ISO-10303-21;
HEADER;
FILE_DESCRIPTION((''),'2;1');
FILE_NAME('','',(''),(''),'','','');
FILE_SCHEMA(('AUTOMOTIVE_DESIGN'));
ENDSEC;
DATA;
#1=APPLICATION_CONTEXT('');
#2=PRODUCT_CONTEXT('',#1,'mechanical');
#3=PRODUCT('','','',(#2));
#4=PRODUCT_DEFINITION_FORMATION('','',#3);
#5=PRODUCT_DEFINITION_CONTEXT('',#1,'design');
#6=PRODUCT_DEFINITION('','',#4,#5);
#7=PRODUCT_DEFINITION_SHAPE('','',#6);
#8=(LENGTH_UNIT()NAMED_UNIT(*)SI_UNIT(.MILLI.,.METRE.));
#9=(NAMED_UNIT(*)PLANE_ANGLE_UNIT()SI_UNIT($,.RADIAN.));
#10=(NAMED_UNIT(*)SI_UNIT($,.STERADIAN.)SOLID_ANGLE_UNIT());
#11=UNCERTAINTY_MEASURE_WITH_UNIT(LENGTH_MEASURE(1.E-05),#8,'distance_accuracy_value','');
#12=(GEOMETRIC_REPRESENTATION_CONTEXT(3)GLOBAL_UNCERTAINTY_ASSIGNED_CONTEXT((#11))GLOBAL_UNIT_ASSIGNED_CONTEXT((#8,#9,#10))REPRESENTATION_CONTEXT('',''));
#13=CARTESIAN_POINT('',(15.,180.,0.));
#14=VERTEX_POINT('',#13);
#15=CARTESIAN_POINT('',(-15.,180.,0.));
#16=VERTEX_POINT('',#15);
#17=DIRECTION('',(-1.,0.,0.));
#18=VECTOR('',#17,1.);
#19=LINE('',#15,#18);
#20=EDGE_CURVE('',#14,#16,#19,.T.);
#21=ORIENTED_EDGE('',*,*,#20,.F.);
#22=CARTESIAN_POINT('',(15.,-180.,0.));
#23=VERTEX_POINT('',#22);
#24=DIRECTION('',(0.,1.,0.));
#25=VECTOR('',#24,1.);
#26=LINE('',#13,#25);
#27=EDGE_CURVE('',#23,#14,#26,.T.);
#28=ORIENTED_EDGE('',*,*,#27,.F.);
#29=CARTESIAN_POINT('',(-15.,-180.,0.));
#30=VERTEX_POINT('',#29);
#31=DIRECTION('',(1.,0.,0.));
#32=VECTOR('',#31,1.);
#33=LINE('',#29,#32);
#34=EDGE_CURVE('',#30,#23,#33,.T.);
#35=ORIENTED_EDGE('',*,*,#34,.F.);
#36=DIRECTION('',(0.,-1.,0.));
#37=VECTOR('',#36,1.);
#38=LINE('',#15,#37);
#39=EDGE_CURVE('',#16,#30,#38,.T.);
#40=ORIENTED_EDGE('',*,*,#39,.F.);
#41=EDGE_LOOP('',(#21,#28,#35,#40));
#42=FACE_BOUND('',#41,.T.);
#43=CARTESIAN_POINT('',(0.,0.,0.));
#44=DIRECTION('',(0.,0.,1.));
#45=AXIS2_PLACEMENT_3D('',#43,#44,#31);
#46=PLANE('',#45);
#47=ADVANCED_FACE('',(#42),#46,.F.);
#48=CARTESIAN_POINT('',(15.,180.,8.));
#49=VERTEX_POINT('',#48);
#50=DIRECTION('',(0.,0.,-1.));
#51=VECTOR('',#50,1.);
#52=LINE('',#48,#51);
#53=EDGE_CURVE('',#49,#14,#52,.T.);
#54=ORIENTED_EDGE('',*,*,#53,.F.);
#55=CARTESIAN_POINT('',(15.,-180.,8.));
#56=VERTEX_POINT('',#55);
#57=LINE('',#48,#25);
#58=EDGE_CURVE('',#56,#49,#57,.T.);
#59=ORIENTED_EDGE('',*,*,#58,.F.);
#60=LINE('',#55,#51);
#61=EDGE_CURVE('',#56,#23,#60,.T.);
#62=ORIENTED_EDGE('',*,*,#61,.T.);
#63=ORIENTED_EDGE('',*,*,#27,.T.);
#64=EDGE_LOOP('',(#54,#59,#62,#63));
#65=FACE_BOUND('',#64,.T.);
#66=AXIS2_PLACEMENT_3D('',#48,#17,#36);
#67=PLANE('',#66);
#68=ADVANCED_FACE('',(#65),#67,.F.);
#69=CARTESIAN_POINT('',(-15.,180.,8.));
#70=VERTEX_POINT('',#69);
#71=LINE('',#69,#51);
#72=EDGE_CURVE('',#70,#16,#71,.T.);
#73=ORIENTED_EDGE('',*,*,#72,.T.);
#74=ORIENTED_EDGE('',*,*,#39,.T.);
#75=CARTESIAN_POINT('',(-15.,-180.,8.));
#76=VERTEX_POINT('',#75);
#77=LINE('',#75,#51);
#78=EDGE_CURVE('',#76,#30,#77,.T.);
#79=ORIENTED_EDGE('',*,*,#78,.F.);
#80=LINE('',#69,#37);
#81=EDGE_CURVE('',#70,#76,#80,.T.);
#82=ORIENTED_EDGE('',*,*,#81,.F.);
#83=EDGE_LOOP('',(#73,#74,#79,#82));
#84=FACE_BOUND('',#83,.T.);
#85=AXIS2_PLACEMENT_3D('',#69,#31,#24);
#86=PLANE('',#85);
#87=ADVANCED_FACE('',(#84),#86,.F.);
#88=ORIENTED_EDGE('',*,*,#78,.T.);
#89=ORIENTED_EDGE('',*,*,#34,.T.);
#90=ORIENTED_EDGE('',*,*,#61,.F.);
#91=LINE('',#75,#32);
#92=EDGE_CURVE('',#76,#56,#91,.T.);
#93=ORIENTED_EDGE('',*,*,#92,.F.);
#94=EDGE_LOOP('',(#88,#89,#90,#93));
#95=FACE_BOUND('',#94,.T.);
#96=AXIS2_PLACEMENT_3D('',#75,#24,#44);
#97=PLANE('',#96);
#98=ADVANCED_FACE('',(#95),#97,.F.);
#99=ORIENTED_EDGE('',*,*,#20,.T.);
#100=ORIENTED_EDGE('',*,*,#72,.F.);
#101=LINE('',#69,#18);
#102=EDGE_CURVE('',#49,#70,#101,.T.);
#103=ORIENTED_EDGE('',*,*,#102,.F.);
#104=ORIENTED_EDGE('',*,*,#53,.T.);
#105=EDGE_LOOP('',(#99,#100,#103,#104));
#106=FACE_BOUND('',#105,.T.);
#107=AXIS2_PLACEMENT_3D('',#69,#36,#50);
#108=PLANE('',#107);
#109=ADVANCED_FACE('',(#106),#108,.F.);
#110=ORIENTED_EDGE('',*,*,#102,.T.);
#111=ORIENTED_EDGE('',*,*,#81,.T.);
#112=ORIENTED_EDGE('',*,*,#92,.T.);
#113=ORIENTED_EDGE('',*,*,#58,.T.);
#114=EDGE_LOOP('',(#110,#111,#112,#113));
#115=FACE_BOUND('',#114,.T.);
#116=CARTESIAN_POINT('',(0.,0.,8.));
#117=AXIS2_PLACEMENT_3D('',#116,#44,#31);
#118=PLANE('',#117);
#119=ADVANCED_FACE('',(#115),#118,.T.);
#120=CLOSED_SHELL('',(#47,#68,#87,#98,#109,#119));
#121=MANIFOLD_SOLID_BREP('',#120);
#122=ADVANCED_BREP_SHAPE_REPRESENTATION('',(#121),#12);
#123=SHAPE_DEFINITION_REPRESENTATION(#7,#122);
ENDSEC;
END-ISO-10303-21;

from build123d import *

# Parameters (mm, degrees)
CROQUIS1_W              = 30
CROQUIS1_H              = 360
SALIENTE_EXTRUIR1_DEPTH = 8


with BuildPart() as part:
    # Croquis1 → Saliente-Extruir1 (new body)
    with BuildSketch(Plane.XY):
        Rectangle(CROQUIS1_W, CROQUIS1_H)
    extrude(amount=SALIENTE_EXTRUIR1_DEPTH)


solid = part.part
